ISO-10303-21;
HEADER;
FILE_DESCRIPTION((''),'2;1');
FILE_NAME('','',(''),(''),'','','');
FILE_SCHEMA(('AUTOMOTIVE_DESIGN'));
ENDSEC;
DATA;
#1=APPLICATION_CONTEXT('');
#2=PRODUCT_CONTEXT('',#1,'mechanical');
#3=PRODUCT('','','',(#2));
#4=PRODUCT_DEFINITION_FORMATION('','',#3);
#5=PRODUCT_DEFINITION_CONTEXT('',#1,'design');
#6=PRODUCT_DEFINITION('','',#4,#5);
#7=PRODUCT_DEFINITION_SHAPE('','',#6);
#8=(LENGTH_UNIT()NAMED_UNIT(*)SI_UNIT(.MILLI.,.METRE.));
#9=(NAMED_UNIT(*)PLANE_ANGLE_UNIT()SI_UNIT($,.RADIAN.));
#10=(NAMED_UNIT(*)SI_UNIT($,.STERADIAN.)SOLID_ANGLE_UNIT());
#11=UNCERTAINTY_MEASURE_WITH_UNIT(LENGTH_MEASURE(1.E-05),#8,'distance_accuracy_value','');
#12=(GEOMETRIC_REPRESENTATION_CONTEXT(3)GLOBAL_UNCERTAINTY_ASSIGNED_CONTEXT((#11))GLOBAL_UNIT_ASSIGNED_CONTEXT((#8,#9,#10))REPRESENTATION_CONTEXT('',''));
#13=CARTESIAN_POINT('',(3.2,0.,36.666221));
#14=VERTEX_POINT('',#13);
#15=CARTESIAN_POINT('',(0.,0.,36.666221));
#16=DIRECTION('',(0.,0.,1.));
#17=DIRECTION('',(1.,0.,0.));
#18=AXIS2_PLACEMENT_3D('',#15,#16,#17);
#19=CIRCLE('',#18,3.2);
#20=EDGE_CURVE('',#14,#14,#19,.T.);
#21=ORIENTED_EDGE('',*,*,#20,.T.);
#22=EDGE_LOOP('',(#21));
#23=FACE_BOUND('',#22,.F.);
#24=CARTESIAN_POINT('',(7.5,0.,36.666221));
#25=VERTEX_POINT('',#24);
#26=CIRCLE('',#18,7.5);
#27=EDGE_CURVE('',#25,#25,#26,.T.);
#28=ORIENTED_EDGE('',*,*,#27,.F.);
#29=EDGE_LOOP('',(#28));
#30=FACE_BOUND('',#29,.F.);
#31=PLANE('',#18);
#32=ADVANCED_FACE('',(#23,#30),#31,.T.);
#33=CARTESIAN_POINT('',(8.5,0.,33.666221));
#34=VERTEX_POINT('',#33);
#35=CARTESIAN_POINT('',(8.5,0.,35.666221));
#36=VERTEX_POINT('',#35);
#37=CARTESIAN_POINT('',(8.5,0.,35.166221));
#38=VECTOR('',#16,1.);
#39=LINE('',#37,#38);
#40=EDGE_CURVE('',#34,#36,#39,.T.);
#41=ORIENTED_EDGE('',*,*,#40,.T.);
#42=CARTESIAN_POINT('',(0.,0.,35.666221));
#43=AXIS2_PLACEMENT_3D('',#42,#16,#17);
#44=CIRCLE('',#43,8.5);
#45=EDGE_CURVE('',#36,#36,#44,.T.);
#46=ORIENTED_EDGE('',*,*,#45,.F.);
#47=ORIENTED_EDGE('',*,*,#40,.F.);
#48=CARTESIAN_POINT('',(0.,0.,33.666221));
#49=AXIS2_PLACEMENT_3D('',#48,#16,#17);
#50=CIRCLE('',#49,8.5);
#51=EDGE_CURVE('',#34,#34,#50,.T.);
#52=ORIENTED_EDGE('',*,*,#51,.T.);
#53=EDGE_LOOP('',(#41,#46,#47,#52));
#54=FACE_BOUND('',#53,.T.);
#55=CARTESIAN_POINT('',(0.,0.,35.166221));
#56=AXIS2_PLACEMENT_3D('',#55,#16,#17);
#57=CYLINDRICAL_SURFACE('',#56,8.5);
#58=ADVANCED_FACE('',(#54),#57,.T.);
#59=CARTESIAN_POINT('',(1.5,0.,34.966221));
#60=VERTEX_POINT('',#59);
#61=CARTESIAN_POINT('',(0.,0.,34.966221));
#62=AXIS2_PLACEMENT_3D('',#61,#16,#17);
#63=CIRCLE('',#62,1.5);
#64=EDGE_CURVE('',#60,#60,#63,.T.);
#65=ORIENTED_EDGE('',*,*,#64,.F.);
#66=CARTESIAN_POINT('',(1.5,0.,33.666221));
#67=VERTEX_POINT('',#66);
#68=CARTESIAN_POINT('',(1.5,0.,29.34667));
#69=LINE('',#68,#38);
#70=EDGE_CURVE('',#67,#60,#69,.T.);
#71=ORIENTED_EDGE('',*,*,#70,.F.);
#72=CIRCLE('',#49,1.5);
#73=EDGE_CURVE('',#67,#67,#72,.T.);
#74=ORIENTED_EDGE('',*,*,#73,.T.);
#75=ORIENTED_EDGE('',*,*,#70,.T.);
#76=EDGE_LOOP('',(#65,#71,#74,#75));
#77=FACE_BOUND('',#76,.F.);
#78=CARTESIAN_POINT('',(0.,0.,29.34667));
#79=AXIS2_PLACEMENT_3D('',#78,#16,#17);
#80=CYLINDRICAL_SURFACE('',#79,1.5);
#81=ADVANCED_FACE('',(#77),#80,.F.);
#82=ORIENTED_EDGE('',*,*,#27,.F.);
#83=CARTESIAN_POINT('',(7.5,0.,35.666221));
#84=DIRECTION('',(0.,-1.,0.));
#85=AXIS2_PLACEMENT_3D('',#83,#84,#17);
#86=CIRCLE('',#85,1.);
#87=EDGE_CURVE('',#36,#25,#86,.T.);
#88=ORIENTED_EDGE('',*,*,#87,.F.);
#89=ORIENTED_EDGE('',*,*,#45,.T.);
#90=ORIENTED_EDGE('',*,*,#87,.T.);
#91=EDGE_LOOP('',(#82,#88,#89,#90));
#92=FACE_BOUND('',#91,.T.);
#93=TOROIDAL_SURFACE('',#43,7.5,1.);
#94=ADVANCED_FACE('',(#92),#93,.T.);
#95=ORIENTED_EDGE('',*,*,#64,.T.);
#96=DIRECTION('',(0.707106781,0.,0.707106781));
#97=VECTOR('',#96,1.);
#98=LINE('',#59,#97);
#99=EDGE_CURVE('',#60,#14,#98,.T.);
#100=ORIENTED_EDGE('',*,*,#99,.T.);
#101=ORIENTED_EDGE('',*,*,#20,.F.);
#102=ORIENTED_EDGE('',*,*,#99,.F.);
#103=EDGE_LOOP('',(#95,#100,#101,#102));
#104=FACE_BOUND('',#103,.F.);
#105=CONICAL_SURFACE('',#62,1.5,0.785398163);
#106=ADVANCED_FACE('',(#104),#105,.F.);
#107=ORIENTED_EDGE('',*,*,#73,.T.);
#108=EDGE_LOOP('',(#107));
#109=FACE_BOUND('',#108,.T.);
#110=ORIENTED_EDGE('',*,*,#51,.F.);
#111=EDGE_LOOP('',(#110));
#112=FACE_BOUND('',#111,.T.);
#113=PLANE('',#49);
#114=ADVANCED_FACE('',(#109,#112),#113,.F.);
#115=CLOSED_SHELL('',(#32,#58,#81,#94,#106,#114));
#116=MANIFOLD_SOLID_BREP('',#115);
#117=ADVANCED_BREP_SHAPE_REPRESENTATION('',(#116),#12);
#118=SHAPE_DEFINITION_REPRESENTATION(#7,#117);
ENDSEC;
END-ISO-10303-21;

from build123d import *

# Parameters (mm, degrees)
SKETCH003_W = 8.5
SKETCH003_H = 3
FILLET_R    = 1


with BuildPart() as part:
    # Sketch003 → Revolution002 (revolve)
    with BuildSketch(Plane.XZ):
        with Locations((4.25, 35.166221)):
            Rectangle(SKETCH003_W, SKETCH003_H)
    revolve(axis=Axis((0, 0, 0), (0, 0, 1)))

    # Fillet
    fillet_edges = [part.edges().sort_by_distance(p)[0] for p in [
        (-8.5, 0, 36.666221),
    ]]
    fillet(fillet_edges, radius=FILLET_R)

    # Sketch004 → Groove (revolve, cut)
    with BuildSketch(Plane.XZ):
        Polygon((0, 36.666221), (0, 29.34667), (1.5, 29.34667), (1.5, 34.966221), (3.2, 36.666221), align=None)
    revolve(axis=Axis((0, 0, 0), (0, 0, 1)), mode=Mode.SUBTRACT)


solid = part.part
